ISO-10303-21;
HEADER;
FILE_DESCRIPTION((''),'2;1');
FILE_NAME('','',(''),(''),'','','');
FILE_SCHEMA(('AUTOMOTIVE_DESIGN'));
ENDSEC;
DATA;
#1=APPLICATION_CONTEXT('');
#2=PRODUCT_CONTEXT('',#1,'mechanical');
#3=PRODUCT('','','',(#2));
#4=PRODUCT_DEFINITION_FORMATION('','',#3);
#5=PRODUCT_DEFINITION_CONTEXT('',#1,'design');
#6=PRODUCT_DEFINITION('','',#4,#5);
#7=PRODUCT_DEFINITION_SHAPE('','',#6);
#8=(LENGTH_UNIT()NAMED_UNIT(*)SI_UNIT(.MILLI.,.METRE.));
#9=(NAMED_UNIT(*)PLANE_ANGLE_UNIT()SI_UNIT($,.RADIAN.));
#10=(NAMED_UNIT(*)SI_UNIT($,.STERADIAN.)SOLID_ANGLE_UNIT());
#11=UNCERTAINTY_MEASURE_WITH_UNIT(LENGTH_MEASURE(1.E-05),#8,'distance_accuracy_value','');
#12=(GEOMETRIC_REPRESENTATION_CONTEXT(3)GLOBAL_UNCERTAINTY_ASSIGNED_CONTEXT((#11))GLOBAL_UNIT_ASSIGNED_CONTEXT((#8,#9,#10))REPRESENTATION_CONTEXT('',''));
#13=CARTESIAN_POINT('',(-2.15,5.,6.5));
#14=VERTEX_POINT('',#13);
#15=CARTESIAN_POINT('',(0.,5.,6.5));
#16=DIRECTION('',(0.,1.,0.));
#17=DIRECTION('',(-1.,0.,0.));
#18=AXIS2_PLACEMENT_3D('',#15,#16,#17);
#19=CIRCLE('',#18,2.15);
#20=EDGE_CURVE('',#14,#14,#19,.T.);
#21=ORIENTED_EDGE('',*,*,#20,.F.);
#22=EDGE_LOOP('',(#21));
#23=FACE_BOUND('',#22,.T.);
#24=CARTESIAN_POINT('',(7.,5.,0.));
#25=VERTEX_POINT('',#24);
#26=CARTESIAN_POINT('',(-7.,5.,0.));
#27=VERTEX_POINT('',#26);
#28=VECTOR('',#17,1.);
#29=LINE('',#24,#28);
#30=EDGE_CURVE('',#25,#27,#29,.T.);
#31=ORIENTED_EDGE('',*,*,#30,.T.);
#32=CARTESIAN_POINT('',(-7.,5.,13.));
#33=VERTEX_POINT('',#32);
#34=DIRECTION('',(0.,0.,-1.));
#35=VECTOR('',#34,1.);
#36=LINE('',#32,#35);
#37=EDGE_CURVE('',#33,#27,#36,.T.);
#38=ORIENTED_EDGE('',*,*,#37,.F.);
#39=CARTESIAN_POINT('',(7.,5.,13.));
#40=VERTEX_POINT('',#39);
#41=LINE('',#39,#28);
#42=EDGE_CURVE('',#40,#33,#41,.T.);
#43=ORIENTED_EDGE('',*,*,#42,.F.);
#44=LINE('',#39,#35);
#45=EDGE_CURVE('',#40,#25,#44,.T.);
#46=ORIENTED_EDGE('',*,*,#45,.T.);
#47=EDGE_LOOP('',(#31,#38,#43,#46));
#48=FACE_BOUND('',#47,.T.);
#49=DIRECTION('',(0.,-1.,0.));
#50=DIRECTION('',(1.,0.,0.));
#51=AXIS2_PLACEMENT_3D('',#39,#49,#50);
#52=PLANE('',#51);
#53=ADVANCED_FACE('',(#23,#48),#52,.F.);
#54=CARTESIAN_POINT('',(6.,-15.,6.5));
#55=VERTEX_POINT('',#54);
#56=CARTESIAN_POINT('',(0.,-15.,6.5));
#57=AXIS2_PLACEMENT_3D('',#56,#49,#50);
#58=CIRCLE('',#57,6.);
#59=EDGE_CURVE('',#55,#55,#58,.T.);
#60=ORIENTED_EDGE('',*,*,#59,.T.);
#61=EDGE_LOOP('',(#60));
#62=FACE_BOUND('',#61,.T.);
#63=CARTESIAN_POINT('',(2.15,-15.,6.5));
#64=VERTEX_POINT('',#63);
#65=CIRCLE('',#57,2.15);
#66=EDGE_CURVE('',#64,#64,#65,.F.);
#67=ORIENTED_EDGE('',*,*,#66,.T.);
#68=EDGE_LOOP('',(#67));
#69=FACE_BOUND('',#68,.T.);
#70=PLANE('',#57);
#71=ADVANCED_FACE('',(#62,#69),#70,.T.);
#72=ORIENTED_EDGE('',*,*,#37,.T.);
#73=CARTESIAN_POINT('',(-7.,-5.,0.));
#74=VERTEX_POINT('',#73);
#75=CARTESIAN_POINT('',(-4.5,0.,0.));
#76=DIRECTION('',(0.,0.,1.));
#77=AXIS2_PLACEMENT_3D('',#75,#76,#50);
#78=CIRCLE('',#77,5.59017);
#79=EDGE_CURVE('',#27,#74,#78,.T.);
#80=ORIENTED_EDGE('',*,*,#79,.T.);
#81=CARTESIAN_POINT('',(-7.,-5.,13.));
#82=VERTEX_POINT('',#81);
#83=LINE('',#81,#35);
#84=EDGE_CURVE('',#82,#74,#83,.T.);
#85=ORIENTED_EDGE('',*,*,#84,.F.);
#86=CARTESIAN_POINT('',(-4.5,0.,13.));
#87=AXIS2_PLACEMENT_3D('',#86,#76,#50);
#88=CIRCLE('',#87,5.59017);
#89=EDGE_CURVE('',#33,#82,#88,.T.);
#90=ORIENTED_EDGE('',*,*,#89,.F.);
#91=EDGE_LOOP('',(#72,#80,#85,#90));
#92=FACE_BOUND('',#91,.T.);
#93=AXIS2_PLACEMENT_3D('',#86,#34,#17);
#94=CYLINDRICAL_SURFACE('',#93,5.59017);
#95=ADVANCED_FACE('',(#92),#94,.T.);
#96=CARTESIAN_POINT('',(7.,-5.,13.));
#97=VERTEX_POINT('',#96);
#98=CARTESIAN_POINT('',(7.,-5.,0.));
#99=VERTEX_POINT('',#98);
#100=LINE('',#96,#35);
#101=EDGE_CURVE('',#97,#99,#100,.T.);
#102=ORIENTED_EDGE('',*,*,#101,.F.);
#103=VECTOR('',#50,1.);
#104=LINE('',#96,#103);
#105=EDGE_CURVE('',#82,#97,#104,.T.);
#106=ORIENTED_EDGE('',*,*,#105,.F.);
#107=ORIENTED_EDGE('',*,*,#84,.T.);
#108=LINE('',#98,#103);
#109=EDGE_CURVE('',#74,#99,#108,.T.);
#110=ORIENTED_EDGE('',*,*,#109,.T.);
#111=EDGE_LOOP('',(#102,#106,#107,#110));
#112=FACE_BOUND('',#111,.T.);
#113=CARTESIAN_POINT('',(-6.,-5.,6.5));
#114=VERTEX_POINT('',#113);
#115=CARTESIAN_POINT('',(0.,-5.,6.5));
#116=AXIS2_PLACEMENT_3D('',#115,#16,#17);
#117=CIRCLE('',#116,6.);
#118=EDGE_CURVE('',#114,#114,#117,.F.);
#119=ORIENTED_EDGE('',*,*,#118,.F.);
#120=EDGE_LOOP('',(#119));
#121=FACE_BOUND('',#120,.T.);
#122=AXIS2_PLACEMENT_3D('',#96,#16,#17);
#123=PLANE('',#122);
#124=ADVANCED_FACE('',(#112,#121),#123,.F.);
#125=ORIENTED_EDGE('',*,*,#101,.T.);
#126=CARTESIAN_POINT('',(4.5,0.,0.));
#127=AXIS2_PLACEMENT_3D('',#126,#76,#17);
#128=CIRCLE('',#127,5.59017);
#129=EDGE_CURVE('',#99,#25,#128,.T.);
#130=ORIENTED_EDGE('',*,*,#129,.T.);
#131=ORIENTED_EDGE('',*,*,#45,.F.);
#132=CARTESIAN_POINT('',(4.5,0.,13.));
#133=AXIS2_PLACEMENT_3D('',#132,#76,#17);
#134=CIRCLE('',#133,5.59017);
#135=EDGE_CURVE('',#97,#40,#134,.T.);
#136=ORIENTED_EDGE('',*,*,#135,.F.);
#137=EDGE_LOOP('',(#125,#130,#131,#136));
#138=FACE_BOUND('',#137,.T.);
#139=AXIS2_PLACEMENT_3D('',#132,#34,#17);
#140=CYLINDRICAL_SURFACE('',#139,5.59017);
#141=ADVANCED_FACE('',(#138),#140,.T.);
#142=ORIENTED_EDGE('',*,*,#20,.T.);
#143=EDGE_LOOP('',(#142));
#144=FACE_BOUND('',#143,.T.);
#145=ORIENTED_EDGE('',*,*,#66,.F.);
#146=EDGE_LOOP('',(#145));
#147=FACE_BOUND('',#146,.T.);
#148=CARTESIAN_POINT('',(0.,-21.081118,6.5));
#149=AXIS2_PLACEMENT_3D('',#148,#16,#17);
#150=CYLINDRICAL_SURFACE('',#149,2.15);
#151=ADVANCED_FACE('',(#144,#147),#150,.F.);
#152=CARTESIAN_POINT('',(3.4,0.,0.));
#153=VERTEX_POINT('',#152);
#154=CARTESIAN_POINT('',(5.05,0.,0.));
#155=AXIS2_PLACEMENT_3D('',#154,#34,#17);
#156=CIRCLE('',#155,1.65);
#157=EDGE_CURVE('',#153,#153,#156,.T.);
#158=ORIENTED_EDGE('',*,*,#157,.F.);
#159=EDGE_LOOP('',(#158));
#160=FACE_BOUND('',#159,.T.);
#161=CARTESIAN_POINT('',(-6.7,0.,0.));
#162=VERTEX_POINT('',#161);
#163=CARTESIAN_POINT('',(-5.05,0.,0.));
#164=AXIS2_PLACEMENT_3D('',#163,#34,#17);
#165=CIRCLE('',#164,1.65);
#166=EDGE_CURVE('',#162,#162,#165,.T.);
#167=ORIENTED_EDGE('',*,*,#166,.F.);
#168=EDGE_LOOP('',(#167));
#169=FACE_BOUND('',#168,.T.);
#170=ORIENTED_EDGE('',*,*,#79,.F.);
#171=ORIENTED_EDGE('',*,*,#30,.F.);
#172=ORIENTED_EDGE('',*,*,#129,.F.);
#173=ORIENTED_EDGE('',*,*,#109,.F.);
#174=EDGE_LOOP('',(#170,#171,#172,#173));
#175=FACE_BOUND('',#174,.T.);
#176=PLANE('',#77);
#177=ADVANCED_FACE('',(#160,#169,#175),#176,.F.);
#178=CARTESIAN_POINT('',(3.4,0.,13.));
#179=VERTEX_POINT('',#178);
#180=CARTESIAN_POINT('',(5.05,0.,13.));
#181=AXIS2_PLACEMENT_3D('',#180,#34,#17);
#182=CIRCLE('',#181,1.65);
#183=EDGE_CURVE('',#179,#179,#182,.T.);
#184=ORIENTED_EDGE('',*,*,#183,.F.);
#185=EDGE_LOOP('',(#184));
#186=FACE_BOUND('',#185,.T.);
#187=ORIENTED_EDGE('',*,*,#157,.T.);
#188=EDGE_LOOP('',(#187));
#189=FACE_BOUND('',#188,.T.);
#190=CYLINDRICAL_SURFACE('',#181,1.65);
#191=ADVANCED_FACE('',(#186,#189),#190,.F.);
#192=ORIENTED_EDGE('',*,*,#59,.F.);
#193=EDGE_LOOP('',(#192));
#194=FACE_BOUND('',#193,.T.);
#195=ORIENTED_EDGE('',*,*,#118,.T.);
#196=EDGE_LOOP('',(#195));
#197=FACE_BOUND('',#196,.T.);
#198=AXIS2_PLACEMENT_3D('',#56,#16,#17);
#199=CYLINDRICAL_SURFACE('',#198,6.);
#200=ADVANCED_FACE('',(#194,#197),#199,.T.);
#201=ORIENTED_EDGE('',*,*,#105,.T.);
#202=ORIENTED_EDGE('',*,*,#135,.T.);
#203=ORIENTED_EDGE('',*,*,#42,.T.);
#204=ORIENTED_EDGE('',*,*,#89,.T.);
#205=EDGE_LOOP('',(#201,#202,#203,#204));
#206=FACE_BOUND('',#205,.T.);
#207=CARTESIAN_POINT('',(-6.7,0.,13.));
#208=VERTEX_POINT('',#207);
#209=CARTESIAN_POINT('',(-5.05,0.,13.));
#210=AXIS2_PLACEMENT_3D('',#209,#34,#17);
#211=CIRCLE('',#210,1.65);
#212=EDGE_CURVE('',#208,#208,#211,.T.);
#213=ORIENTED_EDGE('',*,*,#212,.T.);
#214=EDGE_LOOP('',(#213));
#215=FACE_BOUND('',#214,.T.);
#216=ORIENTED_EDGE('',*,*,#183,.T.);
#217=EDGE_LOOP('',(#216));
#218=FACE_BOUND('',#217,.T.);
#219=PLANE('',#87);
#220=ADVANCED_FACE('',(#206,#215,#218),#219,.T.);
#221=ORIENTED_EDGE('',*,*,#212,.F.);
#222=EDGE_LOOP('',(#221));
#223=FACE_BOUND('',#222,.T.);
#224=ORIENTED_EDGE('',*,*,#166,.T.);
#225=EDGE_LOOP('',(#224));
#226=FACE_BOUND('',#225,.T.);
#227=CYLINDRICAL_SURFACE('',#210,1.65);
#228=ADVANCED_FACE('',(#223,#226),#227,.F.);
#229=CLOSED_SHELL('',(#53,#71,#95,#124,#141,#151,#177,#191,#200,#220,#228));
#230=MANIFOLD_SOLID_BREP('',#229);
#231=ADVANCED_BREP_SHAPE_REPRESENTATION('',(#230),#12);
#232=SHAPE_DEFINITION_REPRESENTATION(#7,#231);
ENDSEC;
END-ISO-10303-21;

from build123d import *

# Parameters (mm, degrees)
BOSS_EXTRUDE1_DEPTH = 13
SKETCH8_R           = 1.65
CUT_EXTRUDE4_DEPTH  = 14
SKETCH6_R           = 6
BOSS_EXTRUDE2_DEPTH = 10
SKETCH4_R           = 2.15
CUT_EXTRUDE3_DEPTH  = 20


with BuildPart() as part:
    # Sketch2 → Boss-Extrude1 (new body)
    with BuildSketch(Plane.XY):
        with BuildLine():
            Line((7, -5), (-7, -5))
            ThreePointArc((-7, -5), (-10.090169944, 0), (-7, 5))
            Line((-7, 5), (7, 5))
            ThreePointArc((7, 5), (10.090169944, 0), (7, -5))
        make_face()
    extrude(amount=BOSS_EXTRUDE1_DEPTH)

    # Sketch8 → Cut-Extrude4 (cut, through all)
    with BuildSketch(Plane(origin=(0, 0, 0), x_dir=(-1, 0, 0), z_dir=(0, 0, -1))):
        with Locations((-5.05, 0)):
            Circle(SKETCH8_R)
        with Locations((5.05, 0)):
            Circle(SKETCH8_R)
    extrude(amount=-CUT_EXTRUDE4_DEPTH, mode=Mode.SUBTRACT)

    # Sketch6 → Boss-Extrude2 (add)
    with BuildSketch(Plane.XZ.offset(5)):
        with Locations(Location((0, 6.5, 0), (0, 0, 180))):  # turned: the seam where the file's is
            Circle(SKETCH6_R)
    extrude(amount=BOSS_EXTRUDE2_DEPTH)

    # Sketch4 → Cut-Extrude3 (cut)
    with BuildSketch(Plane(origin=(0, 5, 0), x_dir=(1, 0, 0), z_dir=(0, 1, 0))):
        with Locations(Location((0, -6.5, 0), (0, 0, 180))):  # turned: the seam where the file's is
            Circle(SKETCH4_R)
    extrude(amount=-CUT_EXTRUDE3_DEPTH, mode=Mode.SUBTRACT)


solid = part.part
